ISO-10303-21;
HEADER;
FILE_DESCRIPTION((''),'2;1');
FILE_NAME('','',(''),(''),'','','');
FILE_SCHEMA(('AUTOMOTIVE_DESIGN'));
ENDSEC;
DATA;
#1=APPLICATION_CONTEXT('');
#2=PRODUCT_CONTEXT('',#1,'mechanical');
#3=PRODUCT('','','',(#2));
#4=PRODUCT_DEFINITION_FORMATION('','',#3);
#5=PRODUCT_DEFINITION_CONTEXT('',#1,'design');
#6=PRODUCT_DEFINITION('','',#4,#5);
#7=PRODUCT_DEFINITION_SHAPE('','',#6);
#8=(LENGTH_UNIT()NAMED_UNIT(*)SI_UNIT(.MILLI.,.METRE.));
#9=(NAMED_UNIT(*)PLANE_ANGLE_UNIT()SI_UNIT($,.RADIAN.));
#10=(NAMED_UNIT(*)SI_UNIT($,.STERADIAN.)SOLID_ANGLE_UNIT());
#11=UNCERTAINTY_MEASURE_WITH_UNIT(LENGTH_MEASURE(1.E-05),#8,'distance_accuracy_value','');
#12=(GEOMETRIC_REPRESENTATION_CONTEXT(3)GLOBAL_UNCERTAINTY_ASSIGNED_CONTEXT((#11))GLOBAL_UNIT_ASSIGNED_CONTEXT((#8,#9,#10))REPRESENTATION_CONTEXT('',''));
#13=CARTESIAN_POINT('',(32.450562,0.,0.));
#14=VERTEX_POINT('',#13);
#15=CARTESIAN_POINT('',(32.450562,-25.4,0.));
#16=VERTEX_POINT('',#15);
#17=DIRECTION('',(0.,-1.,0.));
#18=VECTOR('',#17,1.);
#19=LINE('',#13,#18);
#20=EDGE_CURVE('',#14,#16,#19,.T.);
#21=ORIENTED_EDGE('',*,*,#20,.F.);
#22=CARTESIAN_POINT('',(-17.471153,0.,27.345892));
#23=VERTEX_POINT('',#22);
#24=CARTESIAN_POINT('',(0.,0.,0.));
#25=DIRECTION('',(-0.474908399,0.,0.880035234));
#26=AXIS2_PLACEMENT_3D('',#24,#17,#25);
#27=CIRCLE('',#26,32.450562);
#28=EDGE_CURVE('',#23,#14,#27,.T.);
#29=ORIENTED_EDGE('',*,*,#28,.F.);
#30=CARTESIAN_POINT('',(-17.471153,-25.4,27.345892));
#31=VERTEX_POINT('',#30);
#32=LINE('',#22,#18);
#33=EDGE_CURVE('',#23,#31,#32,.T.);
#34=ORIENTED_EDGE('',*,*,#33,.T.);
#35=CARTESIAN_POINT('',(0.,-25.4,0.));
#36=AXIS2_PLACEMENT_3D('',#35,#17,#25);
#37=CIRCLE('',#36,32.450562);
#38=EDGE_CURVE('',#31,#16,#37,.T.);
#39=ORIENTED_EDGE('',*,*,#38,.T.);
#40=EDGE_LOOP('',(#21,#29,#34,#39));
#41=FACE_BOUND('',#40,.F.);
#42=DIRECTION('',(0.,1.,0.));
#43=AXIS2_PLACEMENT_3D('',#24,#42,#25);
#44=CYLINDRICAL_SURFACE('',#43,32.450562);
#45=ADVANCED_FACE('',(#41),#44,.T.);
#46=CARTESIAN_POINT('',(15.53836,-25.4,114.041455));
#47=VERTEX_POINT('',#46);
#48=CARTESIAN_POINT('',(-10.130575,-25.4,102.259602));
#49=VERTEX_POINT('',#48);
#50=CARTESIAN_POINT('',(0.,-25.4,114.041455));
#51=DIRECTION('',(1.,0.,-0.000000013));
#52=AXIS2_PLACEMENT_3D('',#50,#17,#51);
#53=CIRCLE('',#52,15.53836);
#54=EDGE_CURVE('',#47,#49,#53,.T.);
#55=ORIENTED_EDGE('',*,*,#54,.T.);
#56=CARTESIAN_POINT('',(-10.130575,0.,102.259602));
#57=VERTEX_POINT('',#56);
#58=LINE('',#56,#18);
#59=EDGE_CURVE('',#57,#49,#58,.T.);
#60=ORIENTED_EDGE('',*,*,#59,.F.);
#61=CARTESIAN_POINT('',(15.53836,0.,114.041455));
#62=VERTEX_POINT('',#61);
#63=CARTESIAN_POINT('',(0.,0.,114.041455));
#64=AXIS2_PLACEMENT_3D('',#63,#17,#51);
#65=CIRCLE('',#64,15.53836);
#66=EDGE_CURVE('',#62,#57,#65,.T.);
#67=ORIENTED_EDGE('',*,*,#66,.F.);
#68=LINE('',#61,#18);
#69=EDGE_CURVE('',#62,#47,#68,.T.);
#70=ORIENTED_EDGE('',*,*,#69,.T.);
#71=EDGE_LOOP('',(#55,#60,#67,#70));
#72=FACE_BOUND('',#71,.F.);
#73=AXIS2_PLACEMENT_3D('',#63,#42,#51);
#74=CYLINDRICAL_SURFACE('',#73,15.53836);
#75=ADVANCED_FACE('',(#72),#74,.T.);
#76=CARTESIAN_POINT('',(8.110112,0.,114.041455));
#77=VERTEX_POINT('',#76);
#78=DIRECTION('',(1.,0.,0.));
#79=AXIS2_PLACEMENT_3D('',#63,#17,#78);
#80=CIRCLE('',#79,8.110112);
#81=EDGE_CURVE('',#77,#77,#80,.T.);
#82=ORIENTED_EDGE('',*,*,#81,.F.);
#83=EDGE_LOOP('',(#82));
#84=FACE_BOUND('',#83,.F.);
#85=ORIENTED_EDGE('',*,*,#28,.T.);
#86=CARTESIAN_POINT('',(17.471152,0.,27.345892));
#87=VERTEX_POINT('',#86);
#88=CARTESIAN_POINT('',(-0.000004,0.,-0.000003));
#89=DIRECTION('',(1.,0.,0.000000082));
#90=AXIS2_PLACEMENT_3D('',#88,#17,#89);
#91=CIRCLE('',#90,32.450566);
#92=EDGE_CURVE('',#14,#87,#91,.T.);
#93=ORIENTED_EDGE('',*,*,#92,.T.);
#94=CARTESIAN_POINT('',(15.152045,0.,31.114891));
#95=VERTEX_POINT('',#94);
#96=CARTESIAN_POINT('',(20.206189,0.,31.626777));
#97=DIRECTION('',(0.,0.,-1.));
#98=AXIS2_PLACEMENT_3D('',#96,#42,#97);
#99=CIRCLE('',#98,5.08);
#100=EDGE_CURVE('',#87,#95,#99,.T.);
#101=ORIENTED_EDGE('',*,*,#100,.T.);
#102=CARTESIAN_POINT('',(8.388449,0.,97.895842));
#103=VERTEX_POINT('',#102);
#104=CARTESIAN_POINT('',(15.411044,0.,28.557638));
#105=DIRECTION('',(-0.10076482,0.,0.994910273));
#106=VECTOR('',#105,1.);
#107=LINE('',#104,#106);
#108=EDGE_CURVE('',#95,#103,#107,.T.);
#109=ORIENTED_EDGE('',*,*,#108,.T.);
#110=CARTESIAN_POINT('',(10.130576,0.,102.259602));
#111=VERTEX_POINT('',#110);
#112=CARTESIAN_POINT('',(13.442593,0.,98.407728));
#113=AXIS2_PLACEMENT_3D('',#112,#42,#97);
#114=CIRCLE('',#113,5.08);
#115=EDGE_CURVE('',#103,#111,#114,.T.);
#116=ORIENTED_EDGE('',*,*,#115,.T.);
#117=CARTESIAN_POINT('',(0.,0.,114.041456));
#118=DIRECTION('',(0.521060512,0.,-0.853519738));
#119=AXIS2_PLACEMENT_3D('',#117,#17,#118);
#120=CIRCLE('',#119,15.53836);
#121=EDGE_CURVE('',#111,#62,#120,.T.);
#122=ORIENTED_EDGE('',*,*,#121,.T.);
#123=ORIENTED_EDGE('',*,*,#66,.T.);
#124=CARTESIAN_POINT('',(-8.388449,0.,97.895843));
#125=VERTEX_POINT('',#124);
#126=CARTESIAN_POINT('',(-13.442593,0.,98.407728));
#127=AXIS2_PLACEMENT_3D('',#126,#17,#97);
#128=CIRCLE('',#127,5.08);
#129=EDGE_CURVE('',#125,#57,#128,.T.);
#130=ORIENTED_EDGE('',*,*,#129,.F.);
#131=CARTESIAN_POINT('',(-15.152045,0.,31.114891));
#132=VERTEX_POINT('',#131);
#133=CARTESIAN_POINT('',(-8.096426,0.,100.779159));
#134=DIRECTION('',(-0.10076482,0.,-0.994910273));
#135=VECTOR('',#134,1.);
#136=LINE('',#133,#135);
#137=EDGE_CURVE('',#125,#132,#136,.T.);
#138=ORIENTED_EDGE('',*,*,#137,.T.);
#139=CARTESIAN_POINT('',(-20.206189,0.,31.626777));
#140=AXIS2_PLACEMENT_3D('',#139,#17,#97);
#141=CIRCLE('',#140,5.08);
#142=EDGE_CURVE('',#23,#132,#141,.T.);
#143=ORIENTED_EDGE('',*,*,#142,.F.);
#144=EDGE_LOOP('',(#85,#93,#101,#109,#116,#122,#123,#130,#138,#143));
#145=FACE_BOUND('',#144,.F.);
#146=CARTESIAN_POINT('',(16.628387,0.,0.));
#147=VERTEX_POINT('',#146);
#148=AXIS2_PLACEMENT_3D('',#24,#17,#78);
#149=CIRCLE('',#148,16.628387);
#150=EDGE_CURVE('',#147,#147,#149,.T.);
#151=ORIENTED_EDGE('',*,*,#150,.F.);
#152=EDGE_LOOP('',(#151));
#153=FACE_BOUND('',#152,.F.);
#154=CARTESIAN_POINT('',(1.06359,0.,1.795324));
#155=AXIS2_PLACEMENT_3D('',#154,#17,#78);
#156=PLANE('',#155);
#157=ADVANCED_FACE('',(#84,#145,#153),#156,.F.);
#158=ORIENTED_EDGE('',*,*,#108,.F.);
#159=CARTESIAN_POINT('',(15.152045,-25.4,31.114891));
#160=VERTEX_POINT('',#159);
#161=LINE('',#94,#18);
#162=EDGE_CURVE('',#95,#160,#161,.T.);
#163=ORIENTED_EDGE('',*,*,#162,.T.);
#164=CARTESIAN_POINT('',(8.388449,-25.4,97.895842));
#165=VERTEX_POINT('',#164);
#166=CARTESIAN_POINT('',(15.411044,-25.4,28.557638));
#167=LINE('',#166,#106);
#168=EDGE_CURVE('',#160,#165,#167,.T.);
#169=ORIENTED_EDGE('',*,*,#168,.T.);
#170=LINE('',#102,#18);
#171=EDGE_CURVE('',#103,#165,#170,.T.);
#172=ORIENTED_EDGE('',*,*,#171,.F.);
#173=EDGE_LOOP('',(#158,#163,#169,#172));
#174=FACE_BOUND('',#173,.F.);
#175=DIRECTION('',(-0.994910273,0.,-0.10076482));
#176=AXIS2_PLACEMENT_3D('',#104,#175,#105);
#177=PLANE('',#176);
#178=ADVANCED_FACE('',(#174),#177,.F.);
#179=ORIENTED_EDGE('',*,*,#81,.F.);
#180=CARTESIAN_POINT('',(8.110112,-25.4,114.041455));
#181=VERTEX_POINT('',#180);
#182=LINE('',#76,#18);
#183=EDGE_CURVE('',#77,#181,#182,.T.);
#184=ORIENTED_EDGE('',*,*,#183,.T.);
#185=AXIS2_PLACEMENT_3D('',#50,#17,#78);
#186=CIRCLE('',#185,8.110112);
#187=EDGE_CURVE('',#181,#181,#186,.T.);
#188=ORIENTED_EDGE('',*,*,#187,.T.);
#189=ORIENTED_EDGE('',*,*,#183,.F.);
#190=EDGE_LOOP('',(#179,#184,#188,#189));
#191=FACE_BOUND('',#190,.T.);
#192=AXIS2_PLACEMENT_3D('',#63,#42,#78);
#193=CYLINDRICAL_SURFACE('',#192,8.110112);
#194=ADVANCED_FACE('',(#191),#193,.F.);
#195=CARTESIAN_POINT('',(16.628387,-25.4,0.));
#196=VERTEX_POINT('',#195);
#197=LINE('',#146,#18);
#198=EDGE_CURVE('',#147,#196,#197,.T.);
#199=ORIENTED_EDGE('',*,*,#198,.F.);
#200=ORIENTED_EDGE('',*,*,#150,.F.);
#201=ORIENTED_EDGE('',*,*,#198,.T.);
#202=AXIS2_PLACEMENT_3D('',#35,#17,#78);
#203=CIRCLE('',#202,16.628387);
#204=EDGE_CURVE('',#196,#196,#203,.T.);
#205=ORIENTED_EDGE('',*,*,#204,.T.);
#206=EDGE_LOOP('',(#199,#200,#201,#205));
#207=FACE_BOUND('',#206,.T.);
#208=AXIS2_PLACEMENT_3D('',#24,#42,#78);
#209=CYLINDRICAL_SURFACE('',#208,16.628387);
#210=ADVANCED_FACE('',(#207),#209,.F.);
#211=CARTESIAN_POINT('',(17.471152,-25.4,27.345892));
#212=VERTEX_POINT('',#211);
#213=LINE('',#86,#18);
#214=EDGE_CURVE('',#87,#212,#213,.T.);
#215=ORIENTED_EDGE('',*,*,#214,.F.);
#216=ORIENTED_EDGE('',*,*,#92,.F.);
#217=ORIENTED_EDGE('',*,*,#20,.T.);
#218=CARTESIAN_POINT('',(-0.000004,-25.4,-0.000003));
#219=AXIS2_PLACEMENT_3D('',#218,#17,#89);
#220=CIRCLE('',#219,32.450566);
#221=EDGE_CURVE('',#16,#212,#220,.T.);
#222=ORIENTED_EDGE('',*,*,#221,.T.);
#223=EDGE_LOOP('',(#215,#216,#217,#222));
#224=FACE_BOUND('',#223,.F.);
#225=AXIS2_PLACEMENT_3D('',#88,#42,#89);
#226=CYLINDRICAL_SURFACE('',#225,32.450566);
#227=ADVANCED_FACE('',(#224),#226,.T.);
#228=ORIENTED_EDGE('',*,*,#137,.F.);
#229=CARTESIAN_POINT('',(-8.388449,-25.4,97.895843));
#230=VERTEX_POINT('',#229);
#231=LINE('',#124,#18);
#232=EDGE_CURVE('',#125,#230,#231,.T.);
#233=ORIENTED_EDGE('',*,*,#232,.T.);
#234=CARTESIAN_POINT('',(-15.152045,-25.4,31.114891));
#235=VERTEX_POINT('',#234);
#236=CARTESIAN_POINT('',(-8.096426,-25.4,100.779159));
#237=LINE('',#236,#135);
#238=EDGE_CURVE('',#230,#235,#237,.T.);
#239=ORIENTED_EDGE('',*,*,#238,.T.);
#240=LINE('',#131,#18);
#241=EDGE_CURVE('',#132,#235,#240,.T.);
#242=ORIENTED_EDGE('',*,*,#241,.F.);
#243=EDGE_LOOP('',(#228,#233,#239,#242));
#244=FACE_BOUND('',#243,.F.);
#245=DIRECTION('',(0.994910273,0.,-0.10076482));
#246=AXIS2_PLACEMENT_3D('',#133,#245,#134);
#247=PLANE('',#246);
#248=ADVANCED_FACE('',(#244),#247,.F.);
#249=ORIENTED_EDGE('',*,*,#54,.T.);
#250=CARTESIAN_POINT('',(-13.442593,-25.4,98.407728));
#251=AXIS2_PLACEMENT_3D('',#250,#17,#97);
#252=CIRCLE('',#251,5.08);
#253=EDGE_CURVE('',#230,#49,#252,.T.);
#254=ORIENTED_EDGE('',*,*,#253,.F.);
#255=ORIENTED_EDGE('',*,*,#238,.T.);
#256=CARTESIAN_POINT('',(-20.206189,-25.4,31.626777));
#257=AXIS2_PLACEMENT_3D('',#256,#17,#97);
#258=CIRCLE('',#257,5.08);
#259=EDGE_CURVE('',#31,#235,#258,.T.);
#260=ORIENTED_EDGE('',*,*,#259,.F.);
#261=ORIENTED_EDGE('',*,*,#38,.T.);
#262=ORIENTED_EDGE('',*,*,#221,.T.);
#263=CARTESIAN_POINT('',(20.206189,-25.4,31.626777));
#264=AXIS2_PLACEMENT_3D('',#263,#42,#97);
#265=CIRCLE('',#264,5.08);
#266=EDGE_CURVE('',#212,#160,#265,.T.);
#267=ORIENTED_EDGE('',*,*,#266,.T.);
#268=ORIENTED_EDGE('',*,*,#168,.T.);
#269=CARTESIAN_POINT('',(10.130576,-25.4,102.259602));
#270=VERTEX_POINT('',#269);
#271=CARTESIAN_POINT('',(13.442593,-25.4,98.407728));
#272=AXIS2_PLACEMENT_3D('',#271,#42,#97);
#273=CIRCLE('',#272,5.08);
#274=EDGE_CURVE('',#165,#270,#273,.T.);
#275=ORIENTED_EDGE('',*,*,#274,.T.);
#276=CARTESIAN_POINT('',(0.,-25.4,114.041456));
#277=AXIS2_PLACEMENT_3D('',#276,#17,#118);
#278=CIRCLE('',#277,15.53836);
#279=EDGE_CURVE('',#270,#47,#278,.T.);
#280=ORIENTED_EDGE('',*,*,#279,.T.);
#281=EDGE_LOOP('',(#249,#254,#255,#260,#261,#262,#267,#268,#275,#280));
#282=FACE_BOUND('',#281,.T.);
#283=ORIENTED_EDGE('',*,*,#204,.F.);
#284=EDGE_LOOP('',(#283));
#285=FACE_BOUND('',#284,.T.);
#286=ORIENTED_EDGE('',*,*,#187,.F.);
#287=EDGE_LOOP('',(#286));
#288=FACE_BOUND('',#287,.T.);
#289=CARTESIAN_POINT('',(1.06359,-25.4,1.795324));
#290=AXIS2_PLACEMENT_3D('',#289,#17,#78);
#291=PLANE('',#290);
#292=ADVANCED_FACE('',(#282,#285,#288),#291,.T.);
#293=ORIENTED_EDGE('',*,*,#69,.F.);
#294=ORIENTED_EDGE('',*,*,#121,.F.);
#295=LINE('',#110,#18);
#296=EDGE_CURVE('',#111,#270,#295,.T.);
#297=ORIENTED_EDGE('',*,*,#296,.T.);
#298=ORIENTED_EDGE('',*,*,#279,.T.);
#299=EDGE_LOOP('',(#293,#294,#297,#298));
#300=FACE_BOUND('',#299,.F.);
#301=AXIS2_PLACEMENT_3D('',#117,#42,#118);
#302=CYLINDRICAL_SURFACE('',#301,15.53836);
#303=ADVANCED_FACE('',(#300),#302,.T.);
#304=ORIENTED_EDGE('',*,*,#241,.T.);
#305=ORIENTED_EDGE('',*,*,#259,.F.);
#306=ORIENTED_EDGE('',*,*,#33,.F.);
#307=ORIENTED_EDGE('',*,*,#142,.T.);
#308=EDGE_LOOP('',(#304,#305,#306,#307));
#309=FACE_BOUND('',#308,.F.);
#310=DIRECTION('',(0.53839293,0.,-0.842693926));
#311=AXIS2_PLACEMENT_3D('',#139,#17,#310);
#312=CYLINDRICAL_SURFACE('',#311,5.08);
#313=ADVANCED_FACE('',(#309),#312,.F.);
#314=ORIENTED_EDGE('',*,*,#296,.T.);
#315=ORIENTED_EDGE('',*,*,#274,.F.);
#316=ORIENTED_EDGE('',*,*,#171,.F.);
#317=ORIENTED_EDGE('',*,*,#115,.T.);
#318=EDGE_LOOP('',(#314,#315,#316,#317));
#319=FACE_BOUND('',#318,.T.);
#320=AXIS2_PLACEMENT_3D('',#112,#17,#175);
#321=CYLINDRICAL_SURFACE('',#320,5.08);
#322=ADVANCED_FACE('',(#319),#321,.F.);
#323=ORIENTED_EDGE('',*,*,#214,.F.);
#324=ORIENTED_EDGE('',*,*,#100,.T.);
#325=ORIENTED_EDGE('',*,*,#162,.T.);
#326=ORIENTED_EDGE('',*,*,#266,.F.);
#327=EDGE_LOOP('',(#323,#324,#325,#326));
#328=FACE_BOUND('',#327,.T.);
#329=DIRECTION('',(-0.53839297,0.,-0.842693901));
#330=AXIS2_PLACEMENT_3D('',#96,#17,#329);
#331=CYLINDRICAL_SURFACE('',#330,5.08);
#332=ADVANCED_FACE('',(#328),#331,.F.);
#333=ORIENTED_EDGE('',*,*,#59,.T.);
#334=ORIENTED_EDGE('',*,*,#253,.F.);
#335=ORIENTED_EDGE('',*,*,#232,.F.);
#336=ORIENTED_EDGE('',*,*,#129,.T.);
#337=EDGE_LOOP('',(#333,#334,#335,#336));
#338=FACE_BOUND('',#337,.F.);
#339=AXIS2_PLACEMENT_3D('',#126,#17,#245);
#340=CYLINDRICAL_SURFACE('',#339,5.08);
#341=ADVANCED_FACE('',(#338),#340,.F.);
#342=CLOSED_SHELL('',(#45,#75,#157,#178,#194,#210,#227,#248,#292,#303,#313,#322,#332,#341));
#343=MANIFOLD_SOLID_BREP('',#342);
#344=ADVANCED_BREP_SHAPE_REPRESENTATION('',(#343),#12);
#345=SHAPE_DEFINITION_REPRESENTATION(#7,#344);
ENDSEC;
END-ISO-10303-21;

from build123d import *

# Parameters (mm, degrees)
F0_R     = 16.628387
F0_R_2   = 8.110112
F1_DEPTH = 25.4
F2_R     = 5.08


with BuildPart() as f1:
    # F0 (on Front) → F1 (new body)
    with BuildSketch(Plane.XZ):
        with BuildLine():
            ThreePointArc((-15.411044, 28.557638), (-16.627416, -27.866969), (32.450562, 0))
            ThreePointArc((32.450562, 0), (27.866969, 16.627416), (15.411044, 28.557638))
            ThreePointArc((15.411044, 28.557638), (0, 32.450562), (-15.411044, 28.557638))
        make_face()
        Circle(F0_R, mode=Mode.SUBTRACT)
        with BuildLine():
            ThreePointArc((-15.411044, 28.557638), (0, 32.450562), (15.411044, 28.557638))
            Line((15.411044, 28.557638), (8.096426, 100.779159))
            ThreePointArc((8.096426, 100.779159), (0, 98.503095), (-8.096426, 100.779159))
            Line((-8.096426, 100.779159), (-15.411044, 28.557638))
        make_face()
        with BuildLine():
            ThreePointArc((-8.096426, 100.779159), (0, 98.503095), (8.096426, 100.779159))
            ThreePointArc((8.096426, 100.779159), (13.550753, 106.437659), (15.53836, 114.041455))
            ThreePointArc((15.53836, 114.041455), (-7.603796, 127.592208), (-8.096426, 100.779159))
        make_face()
        with Locations((0, 114.041455)):
            Circle(F0_R_2, mode=Mode.SUBTRACT)
    extrude(amount=F1_DEPTH)

    # F2
    f2_edges = [f1.edges().sort_by_distance(p)[0] for p in [
        (15.411044, -12.7, 28.557638),
        (-15.411044, -12.7, 28.557638),
        (-8.096426, -12.7, 100.779159),
        (8.096426, -12.7, 100.779159),
    ]]
    fillet(f2_edges, radius=F2_R)


solid = f1.part
